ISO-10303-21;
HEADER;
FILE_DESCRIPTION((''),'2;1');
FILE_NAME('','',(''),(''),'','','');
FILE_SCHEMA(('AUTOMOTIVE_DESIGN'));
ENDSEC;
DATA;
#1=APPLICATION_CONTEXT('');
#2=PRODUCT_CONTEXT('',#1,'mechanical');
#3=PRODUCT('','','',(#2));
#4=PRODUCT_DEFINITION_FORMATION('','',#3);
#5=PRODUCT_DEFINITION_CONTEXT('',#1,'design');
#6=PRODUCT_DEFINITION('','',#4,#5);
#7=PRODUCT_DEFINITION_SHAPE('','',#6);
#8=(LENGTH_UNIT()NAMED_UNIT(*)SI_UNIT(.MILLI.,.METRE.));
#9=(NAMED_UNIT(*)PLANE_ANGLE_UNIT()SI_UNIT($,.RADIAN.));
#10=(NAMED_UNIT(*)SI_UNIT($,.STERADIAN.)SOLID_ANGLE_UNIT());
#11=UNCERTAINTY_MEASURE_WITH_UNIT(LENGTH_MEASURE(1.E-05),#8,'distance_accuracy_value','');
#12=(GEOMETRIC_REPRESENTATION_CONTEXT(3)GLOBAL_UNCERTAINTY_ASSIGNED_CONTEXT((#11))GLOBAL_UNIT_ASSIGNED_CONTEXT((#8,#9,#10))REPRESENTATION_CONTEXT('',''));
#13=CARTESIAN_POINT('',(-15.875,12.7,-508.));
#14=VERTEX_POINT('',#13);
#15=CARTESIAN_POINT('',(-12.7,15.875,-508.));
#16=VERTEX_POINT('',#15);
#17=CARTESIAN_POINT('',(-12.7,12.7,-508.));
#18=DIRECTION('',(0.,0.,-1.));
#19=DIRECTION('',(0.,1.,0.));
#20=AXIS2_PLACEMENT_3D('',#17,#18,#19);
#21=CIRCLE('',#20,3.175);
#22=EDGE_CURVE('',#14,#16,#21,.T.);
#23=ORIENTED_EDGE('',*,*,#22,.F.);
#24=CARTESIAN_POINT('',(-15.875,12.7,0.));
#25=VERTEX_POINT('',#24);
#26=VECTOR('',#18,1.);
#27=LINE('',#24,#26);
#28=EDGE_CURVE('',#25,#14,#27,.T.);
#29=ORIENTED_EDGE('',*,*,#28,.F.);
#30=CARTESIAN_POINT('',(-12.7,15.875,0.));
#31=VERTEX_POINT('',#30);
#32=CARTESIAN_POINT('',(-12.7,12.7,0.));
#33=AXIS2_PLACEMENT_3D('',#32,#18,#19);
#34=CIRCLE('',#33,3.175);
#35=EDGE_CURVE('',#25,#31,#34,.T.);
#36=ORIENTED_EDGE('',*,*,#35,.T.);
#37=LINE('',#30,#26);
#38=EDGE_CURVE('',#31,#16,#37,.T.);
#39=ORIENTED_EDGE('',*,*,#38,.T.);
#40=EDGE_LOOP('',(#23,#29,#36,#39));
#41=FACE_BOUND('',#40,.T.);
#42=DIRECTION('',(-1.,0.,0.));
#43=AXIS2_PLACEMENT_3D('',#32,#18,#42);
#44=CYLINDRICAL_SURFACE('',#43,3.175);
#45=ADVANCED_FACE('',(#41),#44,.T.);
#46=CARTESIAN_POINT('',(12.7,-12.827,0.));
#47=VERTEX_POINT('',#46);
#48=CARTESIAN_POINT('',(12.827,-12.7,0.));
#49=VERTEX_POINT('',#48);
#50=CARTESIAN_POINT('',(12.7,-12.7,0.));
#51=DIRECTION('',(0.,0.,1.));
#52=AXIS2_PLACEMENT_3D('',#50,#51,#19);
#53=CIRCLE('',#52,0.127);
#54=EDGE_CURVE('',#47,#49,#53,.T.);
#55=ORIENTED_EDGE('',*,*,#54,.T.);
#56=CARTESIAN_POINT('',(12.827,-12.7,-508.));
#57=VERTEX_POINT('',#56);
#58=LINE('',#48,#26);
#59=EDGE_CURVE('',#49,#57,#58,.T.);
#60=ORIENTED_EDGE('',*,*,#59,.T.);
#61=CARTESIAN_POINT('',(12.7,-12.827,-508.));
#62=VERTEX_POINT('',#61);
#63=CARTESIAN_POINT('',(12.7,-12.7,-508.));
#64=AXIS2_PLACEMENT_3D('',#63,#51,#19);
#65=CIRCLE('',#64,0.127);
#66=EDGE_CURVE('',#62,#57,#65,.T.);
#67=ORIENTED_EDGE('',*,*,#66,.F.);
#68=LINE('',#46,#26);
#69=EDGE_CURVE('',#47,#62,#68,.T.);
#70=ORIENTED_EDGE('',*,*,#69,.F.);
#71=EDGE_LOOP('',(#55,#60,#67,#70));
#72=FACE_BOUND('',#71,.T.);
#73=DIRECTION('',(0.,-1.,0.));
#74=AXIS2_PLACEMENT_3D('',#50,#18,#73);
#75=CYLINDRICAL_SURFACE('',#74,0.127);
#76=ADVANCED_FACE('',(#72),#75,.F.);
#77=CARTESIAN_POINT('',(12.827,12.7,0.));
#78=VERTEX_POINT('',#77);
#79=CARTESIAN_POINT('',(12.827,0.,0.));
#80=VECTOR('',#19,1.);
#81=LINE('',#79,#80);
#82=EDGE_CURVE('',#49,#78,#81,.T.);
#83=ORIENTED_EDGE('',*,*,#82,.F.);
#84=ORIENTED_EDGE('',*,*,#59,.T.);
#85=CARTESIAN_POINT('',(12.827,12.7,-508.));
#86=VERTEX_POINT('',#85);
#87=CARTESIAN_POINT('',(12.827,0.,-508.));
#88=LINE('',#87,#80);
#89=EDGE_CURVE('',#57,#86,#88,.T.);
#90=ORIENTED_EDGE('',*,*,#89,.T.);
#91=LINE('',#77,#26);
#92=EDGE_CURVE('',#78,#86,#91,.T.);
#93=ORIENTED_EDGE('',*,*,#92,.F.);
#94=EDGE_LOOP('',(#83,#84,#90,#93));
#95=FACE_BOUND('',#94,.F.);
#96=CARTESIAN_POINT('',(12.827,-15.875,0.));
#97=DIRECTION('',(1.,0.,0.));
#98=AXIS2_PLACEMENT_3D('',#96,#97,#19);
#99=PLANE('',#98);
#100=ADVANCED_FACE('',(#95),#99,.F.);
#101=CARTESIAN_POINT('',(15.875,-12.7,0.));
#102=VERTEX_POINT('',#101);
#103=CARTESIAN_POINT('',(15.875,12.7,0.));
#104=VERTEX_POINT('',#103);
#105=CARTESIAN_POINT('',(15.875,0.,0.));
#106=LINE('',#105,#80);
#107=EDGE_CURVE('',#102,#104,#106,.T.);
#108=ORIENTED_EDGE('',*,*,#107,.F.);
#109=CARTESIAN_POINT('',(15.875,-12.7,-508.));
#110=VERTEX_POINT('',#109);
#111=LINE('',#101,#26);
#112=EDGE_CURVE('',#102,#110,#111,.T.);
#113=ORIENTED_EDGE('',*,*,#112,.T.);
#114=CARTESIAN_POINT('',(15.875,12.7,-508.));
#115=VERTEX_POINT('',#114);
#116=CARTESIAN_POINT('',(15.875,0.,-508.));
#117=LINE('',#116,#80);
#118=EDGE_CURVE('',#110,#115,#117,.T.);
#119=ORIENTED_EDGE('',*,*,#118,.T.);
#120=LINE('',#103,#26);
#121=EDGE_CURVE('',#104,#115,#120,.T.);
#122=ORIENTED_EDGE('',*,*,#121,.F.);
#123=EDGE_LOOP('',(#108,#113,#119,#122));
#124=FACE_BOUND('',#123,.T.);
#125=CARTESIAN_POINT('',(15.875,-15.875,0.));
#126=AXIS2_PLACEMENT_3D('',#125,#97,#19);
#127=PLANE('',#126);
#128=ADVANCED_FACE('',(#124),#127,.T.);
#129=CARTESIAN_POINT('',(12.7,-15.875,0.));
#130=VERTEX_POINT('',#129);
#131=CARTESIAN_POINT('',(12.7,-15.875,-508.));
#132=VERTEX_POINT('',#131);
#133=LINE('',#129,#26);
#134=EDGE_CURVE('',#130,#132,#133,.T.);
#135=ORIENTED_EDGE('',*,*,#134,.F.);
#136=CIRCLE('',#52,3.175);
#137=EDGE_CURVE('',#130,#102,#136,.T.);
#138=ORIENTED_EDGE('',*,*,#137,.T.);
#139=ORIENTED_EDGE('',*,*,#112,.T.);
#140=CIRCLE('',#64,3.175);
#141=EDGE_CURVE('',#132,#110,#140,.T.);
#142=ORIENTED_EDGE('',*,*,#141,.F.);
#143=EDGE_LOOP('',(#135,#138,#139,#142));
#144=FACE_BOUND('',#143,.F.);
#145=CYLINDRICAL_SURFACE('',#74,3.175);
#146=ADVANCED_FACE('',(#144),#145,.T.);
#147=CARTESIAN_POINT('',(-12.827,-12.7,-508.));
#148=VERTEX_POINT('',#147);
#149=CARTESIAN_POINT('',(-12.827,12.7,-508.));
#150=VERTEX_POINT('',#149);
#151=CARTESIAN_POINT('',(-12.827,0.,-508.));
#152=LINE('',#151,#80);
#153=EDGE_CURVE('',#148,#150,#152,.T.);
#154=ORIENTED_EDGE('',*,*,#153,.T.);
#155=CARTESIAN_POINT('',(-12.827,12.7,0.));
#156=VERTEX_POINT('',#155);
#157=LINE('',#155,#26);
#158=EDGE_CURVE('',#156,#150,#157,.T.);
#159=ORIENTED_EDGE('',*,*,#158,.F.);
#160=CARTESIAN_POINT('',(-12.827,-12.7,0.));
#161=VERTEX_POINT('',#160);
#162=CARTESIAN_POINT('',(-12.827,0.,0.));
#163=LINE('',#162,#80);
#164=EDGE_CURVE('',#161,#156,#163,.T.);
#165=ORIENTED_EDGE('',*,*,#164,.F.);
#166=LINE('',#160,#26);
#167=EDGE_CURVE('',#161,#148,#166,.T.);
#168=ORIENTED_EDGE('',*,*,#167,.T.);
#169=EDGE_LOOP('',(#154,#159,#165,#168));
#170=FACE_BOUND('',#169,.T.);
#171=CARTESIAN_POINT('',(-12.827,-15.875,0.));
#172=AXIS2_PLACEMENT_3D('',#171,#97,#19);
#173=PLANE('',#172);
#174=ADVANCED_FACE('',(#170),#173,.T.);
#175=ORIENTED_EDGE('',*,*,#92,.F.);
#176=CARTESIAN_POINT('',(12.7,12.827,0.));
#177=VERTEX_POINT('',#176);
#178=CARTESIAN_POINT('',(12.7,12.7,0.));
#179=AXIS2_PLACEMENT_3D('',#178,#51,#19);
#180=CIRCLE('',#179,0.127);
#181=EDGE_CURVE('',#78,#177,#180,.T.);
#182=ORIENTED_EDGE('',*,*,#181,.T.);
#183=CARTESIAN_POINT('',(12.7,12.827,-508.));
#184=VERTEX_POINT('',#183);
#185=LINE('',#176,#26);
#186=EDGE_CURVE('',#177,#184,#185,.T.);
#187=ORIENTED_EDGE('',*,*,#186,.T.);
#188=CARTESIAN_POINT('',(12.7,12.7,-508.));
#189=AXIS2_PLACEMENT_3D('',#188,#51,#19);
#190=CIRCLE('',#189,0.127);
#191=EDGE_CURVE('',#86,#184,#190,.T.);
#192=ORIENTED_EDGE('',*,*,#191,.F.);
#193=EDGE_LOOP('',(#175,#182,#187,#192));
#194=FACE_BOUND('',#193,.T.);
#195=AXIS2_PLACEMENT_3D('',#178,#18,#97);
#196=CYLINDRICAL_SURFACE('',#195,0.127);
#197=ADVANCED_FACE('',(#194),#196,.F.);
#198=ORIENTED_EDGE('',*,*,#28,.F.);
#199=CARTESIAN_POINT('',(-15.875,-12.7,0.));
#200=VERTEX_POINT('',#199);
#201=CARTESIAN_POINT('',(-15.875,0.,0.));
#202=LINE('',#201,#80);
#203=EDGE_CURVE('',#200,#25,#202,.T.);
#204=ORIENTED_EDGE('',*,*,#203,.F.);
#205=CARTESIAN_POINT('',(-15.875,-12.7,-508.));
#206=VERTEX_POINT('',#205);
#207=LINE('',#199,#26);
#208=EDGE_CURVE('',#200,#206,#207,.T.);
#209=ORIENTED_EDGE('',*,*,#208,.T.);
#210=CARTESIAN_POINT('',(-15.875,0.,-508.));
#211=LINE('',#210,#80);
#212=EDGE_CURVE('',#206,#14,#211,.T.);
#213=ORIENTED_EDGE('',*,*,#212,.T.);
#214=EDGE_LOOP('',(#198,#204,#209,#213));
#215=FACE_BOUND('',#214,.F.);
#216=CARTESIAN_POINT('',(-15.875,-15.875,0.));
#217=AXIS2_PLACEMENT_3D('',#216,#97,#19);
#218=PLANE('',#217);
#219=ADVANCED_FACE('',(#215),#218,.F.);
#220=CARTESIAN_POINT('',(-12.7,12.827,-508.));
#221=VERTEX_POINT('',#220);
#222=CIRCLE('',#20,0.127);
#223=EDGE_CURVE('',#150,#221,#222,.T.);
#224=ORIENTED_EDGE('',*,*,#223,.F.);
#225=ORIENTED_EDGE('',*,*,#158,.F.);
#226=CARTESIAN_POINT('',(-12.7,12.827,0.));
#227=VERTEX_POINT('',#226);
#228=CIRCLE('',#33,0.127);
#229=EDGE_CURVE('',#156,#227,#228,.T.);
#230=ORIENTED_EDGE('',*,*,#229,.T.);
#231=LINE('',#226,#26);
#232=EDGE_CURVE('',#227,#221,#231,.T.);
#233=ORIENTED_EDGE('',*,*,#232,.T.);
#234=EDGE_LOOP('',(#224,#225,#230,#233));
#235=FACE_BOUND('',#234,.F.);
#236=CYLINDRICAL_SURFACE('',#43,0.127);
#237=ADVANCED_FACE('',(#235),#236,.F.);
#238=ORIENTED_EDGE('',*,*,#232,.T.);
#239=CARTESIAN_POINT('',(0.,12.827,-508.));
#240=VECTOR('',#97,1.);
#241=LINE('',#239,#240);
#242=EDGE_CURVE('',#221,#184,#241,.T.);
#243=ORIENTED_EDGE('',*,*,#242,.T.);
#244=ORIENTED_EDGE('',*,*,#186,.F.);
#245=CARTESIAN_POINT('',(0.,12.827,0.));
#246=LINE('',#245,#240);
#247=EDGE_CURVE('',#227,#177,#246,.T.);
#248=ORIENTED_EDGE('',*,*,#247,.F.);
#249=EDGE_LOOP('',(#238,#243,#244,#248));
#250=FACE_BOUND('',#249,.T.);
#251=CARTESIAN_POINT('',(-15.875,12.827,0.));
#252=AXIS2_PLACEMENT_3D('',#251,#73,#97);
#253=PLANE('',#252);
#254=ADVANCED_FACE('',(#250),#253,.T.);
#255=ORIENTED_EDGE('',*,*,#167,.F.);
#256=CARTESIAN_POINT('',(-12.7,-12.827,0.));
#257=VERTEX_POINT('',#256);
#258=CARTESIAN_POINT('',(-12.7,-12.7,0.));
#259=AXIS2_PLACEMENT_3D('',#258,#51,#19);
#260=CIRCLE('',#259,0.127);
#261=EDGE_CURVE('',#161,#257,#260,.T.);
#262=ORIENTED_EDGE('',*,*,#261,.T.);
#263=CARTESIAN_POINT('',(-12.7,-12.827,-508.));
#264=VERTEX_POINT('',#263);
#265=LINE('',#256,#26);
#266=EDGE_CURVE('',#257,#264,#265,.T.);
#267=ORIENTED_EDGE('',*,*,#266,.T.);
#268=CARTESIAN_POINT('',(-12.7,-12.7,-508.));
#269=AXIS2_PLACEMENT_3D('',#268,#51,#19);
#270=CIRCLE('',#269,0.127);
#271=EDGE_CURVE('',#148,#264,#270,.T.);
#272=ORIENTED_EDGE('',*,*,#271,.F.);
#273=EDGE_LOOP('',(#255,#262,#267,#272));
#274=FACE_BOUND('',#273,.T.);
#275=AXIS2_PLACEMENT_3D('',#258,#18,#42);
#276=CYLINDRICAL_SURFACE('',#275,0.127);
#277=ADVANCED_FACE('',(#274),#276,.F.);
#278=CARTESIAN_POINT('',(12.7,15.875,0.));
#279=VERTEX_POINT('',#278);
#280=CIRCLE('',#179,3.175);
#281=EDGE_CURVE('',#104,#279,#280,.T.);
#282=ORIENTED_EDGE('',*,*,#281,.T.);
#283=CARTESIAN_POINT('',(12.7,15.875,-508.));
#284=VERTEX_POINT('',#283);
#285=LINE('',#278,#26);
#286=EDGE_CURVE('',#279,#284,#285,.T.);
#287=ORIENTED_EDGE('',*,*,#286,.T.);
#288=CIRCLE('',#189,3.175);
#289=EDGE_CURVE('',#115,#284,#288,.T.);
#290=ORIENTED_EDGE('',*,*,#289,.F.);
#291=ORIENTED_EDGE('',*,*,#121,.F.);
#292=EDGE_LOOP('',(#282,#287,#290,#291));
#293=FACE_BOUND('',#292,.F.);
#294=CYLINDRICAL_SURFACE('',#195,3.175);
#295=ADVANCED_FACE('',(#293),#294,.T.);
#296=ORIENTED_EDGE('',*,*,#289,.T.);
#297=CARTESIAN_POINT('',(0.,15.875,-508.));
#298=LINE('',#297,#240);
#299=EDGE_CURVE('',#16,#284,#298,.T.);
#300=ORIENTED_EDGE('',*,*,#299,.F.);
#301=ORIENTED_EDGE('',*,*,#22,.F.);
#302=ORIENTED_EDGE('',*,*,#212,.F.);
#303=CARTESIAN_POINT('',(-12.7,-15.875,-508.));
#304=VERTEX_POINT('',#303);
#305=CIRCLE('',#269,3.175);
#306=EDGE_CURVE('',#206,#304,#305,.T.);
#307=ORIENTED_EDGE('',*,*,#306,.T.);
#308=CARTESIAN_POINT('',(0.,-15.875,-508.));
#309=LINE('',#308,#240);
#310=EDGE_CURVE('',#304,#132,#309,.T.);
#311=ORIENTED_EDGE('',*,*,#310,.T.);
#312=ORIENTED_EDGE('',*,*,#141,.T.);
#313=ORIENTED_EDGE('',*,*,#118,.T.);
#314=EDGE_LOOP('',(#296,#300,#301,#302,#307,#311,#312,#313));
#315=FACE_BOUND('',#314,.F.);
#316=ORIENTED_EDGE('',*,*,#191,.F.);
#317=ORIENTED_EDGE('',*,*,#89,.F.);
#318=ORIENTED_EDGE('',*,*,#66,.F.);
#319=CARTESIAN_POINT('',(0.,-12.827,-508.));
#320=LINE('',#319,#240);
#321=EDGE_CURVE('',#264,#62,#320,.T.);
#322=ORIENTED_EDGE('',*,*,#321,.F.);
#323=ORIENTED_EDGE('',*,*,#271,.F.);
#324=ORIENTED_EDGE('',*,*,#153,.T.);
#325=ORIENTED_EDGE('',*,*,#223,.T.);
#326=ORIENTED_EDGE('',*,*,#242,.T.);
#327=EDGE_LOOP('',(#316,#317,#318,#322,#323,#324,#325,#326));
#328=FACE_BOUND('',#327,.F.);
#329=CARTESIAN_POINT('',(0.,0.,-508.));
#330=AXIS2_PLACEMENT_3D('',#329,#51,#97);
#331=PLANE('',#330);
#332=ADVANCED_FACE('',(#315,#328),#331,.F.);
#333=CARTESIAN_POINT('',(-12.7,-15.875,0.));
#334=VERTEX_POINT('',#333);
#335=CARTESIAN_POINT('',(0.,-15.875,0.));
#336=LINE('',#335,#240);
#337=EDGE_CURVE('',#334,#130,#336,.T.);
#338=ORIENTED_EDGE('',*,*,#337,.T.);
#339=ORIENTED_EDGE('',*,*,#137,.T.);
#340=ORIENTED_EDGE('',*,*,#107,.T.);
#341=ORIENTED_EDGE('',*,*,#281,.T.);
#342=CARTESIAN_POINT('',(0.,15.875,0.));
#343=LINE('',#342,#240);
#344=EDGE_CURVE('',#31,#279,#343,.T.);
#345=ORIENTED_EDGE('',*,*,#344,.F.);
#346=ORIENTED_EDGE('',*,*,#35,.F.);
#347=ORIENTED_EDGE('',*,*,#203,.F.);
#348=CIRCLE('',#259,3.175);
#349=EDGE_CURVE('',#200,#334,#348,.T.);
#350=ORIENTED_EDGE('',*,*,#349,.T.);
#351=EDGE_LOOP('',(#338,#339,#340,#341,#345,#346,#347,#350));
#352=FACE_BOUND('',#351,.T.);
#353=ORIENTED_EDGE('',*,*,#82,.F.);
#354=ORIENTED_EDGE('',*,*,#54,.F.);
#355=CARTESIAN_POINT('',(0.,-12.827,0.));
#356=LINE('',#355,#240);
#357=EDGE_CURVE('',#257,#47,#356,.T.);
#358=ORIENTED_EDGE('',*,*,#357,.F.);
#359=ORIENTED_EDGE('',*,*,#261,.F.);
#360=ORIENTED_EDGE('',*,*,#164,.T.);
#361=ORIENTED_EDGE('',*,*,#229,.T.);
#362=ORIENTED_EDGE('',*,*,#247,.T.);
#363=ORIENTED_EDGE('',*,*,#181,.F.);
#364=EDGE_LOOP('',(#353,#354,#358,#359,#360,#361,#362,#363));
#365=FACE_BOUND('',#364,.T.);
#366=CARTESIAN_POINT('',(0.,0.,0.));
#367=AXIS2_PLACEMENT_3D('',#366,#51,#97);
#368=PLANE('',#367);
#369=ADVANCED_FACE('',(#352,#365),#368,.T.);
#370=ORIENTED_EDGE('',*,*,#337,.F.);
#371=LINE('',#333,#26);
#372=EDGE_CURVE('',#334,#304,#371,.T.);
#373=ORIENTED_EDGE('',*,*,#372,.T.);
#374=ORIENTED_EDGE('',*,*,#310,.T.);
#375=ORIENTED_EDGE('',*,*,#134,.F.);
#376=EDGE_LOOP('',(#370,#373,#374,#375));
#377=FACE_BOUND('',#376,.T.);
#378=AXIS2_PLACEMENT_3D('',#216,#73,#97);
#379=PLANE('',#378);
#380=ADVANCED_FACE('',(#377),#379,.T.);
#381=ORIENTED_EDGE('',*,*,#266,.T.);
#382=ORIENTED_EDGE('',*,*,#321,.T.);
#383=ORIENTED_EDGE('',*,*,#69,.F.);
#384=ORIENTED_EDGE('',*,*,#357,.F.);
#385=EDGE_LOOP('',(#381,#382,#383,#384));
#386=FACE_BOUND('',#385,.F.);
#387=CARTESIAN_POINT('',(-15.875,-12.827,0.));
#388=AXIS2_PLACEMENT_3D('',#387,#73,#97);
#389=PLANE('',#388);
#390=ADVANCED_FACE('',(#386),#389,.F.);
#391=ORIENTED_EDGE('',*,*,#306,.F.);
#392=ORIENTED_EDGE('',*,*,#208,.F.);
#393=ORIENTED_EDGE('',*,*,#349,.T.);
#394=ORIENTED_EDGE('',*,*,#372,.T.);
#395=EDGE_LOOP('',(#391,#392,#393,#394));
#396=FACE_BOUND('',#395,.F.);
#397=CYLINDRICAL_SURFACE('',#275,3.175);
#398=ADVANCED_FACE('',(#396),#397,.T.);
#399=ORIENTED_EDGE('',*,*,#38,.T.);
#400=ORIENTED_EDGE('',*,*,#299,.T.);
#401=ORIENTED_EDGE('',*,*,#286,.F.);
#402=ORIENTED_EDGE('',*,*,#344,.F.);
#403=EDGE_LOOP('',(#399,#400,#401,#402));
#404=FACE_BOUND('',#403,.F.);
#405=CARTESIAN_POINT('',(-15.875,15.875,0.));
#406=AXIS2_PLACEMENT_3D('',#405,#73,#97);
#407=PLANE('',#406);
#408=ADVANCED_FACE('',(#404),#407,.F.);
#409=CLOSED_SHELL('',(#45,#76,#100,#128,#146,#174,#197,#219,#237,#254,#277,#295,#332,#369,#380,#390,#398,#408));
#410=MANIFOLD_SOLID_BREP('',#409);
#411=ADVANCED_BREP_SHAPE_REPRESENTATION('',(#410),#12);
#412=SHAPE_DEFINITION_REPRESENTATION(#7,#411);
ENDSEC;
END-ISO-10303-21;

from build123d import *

# Parameters (mm, degrees)
F0_W     = 31.75
F0_H     = 31.75
F1_DEPTH = 508
F2_R     = 3.175
F3_T     = -3.048


with BuildPart() as f1:
    # F0 (on Top) → F1 (new body)
    with BuildSketch(Plane.XY):
        Rectangle(F0_W, F0_H)
    extrude(amount=-F1_DEPTH)

    # F2
    f2_edges = [f1.edges().sort_by_distance(p)[0] for p in [
        (-15.875, 15.875, -254),
        (-15.875, -15.875, -254),
        (15.875, 15.875, -254),
        (15.875, -15.875, -254),
    ]]
    fillet(f2_edges, radius=F2_R)

    # F3
    f3_openings = [f1.faces().sort_by_distance(p)[0] for p in [
        (0, 0, 0),
        (0, 0, -508),
    ]]
    offset(amount=F3_T, openings=f3_openings)


solid = f1.part
